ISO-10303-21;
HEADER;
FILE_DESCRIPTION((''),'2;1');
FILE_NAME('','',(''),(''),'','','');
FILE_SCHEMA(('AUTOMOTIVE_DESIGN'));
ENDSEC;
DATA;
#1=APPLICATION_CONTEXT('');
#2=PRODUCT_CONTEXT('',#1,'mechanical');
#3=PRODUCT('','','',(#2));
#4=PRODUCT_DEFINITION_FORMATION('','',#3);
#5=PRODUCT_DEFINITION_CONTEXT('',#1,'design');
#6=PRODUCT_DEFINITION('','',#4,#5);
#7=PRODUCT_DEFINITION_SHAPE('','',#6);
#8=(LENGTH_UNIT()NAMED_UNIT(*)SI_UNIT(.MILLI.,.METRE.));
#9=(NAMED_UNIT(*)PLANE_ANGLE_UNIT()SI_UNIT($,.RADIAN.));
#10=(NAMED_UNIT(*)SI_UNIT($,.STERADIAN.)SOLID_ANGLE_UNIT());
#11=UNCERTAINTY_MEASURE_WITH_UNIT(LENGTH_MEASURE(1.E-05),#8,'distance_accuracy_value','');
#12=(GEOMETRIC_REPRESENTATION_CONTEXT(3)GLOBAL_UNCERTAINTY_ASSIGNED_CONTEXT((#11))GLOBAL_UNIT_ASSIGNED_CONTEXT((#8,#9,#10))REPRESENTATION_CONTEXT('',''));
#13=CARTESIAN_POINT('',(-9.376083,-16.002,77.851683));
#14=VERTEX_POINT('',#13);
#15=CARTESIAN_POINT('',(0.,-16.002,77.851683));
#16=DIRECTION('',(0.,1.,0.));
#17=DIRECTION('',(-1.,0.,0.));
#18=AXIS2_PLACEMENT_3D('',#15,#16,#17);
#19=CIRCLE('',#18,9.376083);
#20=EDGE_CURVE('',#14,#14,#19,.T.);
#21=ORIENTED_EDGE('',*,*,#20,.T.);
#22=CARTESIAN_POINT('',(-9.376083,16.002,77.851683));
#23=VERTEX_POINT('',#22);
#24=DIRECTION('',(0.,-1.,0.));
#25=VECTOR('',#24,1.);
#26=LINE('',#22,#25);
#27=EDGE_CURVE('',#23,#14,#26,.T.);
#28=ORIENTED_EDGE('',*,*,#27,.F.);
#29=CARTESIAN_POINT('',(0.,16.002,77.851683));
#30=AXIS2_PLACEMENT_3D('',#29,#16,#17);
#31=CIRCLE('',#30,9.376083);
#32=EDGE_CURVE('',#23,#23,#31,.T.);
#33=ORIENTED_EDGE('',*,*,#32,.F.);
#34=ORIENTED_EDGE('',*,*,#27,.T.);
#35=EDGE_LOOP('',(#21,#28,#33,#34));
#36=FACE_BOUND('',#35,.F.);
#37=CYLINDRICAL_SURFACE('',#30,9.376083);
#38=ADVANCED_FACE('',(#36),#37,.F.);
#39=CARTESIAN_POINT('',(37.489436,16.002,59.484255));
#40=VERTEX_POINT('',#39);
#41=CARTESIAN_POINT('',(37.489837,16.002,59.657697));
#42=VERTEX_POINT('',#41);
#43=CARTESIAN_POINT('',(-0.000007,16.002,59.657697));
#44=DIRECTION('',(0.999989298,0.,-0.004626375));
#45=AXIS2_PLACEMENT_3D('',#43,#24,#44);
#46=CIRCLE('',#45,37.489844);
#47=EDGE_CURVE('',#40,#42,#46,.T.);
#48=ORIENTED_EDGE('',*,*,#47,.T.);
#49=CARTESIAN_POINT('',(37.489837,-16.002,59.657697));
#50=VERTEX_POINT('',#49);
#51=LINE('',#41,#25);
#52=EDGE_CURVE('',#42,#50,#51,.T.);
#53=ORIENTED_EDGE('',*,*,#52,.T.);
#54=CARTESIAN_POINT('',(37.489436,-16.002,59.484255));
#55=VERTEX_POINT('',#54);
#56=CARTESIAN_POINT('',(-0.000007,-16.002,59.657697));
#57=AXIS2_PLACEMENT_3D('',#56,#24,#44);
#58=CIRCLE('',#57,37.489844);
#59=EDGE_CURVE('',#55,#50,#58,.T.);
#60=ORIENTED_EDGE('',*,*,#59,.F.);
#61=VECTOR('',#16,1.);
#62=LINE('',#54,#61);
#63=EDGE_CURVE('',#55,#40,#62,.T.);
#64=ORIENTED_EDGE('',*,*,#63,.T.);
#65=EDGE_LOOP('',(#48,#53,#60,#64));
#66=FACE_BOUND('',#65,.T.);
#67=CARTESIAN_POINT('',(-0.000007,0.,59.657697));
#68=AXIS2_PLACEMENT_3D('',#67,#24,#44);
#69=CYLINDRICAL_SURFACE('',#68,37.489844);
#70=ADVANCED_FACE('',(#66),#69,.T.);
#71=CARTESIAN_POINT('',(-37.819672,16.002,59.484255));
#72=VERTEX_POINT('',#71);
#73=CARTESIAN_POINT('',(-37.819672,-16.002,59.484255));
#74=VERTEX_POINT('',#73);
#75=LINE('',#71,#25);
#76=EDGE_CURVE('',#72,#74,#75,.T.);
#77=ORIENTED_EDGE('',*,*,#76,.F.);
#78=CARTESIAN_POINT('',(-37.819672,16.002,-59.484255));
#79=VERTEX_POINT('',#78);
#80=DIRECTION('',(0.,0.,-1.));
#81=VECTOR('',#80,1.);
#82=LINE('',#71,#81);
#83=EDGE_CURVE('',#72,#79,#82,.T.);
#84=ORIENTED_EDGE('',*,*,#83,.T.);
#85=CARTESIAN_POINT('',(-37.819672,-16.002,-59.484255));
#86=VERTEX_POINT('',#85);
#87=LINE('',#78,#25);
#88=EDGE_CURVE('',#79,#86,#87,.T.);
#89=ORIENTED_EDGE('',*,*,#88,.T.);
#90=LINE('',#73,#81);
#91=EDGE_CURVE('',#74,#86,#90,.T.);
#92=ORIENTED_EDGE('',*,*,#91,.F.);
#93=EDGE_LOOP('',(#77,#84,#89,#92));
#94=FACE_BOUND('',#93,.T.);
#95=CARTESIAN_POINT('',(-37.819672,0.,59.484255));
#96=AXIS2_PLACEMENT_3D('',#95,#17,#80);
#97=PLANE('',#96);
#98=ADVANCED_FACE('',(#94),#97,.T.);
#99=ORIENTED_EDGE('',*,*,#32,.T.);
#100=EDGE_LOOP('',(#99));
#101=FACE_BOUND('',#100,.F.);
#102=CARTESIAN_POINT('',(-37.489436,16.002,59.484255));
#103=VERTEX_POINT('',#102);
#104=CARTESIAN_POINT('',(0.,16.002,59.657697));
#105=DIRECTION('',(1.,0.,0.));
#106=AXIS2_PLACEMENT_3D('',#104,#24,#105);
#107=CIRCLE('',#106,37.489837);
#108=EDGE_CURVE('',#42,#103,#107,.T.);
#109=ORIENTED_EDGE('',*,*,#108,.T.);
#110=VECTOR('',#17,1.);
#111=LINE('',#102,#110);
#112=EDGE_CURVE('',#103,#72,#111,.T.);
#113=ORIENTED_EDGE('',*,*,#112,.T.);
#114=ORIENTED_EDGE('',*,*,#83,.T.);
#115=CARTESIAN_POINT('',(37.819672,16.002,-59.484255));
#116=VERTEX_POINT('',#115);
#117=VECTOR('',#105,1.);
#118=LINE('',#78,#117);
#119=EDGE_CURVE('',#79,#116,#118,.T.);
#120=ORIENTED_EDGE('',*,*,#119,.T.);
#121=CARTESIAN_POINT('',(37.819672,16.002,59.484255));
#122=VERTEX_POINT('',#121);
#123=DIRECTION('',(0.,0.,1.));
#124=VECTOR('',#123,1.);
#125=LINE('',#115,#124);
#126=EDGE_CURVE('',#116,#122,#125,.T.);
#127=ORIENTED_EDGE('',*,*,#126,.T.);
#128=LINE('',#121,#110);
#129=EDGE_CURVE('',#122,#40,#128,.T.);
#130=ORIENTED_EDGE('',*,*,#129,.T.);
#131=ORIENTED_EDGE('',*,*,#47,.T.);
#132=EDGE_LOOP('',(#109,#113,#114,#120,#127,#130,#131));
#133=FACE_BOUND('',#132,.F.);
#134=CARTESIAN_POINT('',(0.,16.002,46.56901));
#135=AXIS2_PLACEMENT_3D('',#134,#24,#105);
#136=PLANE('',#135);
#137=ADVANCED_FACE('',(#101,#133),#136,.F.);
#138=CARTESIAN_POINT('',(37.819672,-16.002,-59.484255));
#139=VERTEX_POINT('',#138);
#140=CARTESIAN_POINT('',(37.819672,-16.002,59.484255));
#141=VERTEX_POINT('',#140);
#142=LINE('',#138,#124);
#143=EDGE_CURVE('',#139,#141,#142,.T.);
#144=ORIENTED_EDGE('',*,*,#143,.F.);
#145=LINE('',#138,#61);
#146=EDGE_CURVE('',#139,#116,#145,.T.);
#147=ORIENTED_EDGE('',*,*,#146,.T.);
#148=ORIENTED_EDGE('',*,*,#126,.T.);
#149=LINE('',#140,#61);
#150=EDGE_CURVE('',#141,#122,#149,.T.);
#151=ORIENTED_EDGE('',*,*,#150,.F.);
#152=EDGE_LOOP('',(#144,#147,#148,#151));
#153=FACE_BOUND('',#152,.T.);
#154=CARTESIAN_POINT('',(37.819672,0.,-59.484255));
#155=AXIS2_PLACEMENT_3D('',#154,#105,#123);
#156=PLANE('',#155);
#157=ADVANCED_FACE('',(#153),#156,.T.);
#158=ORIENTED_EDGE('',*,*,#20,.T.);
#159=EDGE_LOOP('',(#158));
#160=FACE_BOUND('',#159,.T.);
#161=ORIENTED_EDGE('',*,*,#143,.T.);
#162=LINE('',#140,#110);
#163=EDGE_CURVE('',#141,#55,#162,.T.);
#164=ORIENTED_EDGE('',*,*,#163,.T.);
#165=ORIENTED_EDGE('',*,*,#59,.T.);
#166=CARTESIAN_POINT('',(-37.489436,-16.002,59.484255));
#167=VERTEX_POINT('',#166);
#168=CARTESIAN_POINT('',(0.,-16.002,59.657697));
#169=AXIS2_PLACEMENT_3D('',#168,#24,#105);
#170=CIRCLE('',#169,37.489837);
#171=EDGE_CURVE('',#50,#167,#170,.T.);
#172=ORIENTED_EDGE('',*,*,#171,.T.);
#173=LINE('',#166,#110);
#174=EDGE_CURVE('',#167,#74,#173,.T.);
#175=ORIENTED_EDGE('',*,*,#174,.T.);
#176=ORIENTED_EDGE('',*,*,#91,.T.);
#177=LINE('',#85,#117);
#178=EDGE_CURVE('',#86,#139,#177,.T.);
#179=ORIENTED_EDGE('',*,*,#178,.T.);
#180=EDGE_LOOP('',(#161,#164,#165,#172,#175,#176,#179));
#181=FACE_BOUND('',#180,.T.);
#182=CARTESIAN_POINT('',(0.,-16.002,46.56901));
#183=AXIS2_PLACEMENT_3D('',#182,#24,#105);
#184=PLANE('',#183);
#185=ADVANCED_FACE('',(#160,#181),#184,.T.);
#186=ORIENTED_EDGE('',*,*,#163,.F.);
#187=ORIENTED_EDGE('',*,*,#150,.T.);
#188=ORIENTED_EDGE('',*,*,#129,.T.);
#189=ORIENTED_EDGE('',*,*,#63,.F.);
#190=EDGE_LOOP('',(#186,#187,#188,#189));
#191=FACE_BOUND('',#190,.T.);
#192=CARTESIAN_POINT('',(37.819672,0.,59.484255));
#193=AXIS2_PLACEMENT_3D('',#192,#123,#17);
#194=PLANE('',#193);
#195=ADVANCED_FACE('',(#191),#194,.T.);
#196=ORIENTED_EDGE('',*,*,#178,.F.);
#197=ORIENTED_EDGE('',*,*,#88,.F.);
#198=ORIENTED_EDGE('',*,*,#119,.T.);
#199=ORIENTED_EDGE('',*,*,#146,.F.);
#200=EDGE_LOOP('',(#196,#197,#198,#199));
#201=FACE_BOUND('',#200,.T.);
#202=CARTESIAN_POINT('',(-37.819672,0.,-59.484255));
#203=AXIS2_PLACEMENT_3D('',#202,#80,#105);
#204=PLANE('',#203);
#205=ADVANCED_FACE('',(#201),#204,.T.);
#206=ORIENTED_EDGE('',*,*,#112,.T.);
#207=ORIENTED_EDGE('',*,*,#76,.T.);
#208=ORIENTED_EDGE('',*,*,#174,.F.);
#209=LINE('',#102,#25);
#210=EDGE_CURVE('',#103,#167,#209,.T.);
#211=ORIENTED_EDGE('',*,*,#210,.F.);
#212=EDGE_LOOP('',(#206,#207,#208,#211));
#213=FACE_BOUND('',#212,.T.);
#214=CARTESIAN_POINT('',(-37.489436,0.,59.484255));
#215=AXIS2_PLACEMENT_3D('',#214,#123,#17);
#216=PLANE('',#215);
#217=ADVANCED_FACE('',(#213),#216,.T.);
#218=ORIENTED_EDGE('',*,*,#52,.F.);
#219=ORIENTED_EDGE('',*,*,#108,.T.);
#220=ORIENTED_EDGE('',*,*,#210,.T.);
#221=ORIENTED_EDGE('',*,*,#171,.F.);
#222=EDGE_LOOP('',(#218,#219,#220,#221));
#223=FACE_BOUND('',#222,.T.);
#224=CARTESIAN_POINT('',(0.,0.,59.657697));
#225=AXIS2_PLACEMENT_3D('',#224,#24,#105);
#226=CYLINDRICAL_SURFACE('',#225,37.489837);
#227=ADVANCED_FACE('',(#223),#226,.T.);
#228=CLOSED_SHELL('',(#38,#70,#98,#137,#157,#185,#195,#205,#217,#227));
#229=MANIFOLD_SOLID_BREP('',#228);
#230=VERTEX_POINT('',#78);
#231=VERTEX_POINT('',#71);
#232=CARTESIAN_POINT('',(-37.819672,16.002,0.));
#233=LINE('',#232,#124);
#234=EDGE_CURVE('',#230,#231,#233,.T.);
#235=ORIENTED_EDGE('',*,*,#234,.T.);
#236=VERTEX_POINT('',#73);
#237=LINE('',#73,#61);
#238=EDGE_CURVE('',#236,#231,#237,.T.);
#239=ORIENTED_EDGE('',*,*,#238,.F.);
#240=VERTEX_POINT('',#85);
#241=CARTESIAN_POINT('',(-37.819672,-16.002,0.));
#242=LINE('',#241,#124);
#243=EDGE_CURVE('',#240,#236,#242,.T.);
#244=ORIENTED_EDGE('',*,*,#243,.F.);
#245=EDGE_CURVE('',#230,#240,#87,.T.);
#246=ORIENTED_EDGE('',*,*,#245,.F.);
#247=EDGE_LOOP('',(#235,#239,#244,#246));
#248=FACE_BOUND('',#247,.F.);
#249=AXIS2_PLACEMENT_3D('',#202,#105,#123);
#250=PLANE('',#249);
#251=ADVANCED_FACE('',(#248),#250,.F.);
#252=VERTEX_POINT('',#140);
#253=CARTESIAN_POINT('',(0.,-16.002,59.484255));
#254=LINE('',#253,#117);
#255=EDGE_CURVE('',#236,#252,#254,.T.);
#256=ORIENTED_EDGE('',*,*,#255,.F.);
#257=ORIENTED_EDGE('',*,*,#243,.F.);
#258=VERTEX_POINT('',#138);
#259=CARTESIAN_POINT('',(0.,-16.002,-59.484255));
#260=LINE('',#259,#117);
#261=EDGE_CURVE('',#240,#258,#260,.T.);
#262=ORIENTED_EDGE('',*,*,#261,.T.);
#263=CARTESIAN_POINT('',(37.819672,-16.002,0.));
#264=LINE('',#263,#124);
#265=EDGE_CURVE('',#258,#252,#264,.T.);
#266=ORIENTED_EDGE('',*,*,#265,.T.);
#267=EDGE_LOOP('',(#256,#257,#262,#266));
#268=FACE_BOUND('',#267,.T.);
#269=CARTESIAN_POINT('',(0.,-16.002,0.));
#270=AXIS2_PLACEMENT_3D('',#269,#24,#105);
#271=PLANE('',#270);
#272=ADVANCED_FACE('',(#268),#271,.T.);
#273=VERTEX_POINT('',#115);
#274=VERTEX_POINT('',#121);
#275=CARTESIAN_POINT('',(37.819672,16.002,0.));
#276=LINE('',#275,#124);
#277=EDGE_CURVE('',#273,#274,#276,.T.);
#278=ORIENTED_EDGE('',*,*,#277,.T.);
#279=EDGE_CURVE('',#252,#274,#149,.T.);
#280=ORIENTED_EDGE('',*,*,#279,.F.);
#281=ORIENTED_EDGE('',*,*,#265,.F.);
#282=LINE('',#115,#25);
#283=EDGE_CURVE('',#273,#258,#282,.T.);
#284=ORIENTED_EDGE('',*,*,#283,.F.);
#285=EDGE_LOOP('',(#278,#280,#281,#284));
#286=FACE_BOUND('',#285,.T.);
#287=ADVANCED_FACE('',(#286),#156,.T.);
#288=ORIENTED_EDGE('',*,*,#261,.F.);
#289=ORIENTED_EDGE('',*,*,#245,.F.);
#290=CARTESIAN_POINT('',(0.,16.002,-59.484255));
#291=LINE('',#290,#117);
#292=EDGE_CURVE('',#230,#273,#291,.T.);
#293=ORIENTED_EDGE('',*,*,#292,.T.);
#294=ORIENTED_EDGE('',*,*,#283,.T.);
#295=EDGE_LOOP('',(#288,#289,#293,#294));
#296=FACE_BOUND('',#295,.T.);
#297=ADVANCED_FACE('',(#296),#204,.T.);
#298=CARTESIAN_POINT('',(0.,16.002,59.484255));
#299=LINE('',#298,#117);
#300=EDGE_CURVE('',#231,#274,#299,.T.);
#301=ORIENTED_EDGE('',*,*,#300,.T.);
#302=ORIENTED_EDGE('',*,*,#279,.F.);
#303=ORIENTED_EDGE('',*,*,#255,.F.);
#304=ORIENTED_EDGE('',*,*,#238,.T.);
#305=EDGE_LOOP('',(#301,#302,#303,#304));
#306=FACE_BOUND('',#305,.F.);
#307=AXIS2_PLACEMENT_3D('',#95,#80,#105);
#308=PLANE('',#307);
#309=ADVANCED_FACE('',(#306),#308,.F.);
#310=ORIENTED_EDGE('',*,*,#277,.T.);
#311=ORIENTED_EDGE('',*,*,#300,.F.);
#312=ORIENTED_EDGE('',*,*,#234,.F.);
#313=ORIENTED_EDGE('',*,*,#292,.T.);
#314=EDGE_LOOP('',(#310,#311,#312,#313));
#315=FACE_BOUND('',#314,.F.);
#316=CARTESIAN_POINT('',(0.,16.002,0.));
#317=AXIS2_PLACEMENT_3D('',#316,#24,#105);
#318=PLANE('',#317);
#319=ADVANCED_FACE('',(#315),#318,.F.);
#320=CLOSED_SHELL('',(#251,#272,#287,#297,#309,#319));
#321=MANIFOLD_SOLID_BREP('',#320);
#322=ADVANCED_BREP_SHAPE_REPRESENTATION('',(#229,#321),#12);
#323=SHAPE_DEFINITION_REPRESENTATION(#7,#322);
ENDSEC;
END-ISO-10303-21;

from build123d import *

# Parameters (mm, degrees)
F2_DEPTH = 16.002
F0_W     = 75.6393447518
F0_H     = 118.9685091376
F3_R     = 9.3760828489
F4_DEPTH = 89.662


with BuildPart() as f2:
    # F1 (on face) → F2 (new body, symmetric)
    with BuildSketch(Plane.XZ):
        with BuildLine():
            Line((37.4894359182, 59.4842545688), (-37.4894359182, 59.4842545688))
            ThreePointArc((-37.4894359182, 59.4842545688), (0, 22.1678595101), (37.4894359182, 59.4842545688))
        make_face()
        with BuildLine():
            ThreePointArc((37.4894359182, 59.4842545688), (37.4897368227, 59.5709753697), (37.4898371244, 59.6576966345))
            ThreePointArc((37.4898371244, 59.6576966345), (-0.0867212649, 97.1474334573), (-37.4894359182, 59.4842545688))
            Line((-37.4894359182, 59.4842545688), (37.4894359182, 59.4842545688))
        make_face()
        with BuildLine():
            ThreePointArc((37.4894359182, 59.4842545688), (0, 22.1678595101), (-37.4894359182, 59.4842545688))
            Line((-37.4894359182, 59.4842545688), (-37.8196723759, 59.4842545688))
            Line((-37.8196723759, 59.4842545688), (-37.8196723759, -59.4842545688))
            Line((-37.8196723759, -59.4842545688), (37.8196723759, -59.4842545688))
            Line((37.8196723759, -59.4842545688), (37.8196723759, 59.4842545688))
            Line((37.8196723759, 59.4842545688), (37.4894359182, 59.4842545688))
        make_face()
    extrude(amount=F2_DEPTH, both=True)

    # F3 (on face) → F4 (cut)
    with BuildSketch(Plane(origin=(0, 16.002, 0), x_dir=(-1, 0, 0), z_dir=(0, 1, 0))):
        with Locations((0, 77.8516829014)):
            Circle(F3_R)
    extrude(amount=-F4_DEPTH, mode=Mode.SUBTRACT)


with BuildPart() as f2b:
    # F0 (on Front) → F2, piece 2 (new body, symmetric)
    with BuildSketch(Plane.XZ):
        Rectangle(F0_W, F0_H)
    extrude(amount=F2_DEPTH, both=True)


solid = Compound([f2.part, f2b.part])
